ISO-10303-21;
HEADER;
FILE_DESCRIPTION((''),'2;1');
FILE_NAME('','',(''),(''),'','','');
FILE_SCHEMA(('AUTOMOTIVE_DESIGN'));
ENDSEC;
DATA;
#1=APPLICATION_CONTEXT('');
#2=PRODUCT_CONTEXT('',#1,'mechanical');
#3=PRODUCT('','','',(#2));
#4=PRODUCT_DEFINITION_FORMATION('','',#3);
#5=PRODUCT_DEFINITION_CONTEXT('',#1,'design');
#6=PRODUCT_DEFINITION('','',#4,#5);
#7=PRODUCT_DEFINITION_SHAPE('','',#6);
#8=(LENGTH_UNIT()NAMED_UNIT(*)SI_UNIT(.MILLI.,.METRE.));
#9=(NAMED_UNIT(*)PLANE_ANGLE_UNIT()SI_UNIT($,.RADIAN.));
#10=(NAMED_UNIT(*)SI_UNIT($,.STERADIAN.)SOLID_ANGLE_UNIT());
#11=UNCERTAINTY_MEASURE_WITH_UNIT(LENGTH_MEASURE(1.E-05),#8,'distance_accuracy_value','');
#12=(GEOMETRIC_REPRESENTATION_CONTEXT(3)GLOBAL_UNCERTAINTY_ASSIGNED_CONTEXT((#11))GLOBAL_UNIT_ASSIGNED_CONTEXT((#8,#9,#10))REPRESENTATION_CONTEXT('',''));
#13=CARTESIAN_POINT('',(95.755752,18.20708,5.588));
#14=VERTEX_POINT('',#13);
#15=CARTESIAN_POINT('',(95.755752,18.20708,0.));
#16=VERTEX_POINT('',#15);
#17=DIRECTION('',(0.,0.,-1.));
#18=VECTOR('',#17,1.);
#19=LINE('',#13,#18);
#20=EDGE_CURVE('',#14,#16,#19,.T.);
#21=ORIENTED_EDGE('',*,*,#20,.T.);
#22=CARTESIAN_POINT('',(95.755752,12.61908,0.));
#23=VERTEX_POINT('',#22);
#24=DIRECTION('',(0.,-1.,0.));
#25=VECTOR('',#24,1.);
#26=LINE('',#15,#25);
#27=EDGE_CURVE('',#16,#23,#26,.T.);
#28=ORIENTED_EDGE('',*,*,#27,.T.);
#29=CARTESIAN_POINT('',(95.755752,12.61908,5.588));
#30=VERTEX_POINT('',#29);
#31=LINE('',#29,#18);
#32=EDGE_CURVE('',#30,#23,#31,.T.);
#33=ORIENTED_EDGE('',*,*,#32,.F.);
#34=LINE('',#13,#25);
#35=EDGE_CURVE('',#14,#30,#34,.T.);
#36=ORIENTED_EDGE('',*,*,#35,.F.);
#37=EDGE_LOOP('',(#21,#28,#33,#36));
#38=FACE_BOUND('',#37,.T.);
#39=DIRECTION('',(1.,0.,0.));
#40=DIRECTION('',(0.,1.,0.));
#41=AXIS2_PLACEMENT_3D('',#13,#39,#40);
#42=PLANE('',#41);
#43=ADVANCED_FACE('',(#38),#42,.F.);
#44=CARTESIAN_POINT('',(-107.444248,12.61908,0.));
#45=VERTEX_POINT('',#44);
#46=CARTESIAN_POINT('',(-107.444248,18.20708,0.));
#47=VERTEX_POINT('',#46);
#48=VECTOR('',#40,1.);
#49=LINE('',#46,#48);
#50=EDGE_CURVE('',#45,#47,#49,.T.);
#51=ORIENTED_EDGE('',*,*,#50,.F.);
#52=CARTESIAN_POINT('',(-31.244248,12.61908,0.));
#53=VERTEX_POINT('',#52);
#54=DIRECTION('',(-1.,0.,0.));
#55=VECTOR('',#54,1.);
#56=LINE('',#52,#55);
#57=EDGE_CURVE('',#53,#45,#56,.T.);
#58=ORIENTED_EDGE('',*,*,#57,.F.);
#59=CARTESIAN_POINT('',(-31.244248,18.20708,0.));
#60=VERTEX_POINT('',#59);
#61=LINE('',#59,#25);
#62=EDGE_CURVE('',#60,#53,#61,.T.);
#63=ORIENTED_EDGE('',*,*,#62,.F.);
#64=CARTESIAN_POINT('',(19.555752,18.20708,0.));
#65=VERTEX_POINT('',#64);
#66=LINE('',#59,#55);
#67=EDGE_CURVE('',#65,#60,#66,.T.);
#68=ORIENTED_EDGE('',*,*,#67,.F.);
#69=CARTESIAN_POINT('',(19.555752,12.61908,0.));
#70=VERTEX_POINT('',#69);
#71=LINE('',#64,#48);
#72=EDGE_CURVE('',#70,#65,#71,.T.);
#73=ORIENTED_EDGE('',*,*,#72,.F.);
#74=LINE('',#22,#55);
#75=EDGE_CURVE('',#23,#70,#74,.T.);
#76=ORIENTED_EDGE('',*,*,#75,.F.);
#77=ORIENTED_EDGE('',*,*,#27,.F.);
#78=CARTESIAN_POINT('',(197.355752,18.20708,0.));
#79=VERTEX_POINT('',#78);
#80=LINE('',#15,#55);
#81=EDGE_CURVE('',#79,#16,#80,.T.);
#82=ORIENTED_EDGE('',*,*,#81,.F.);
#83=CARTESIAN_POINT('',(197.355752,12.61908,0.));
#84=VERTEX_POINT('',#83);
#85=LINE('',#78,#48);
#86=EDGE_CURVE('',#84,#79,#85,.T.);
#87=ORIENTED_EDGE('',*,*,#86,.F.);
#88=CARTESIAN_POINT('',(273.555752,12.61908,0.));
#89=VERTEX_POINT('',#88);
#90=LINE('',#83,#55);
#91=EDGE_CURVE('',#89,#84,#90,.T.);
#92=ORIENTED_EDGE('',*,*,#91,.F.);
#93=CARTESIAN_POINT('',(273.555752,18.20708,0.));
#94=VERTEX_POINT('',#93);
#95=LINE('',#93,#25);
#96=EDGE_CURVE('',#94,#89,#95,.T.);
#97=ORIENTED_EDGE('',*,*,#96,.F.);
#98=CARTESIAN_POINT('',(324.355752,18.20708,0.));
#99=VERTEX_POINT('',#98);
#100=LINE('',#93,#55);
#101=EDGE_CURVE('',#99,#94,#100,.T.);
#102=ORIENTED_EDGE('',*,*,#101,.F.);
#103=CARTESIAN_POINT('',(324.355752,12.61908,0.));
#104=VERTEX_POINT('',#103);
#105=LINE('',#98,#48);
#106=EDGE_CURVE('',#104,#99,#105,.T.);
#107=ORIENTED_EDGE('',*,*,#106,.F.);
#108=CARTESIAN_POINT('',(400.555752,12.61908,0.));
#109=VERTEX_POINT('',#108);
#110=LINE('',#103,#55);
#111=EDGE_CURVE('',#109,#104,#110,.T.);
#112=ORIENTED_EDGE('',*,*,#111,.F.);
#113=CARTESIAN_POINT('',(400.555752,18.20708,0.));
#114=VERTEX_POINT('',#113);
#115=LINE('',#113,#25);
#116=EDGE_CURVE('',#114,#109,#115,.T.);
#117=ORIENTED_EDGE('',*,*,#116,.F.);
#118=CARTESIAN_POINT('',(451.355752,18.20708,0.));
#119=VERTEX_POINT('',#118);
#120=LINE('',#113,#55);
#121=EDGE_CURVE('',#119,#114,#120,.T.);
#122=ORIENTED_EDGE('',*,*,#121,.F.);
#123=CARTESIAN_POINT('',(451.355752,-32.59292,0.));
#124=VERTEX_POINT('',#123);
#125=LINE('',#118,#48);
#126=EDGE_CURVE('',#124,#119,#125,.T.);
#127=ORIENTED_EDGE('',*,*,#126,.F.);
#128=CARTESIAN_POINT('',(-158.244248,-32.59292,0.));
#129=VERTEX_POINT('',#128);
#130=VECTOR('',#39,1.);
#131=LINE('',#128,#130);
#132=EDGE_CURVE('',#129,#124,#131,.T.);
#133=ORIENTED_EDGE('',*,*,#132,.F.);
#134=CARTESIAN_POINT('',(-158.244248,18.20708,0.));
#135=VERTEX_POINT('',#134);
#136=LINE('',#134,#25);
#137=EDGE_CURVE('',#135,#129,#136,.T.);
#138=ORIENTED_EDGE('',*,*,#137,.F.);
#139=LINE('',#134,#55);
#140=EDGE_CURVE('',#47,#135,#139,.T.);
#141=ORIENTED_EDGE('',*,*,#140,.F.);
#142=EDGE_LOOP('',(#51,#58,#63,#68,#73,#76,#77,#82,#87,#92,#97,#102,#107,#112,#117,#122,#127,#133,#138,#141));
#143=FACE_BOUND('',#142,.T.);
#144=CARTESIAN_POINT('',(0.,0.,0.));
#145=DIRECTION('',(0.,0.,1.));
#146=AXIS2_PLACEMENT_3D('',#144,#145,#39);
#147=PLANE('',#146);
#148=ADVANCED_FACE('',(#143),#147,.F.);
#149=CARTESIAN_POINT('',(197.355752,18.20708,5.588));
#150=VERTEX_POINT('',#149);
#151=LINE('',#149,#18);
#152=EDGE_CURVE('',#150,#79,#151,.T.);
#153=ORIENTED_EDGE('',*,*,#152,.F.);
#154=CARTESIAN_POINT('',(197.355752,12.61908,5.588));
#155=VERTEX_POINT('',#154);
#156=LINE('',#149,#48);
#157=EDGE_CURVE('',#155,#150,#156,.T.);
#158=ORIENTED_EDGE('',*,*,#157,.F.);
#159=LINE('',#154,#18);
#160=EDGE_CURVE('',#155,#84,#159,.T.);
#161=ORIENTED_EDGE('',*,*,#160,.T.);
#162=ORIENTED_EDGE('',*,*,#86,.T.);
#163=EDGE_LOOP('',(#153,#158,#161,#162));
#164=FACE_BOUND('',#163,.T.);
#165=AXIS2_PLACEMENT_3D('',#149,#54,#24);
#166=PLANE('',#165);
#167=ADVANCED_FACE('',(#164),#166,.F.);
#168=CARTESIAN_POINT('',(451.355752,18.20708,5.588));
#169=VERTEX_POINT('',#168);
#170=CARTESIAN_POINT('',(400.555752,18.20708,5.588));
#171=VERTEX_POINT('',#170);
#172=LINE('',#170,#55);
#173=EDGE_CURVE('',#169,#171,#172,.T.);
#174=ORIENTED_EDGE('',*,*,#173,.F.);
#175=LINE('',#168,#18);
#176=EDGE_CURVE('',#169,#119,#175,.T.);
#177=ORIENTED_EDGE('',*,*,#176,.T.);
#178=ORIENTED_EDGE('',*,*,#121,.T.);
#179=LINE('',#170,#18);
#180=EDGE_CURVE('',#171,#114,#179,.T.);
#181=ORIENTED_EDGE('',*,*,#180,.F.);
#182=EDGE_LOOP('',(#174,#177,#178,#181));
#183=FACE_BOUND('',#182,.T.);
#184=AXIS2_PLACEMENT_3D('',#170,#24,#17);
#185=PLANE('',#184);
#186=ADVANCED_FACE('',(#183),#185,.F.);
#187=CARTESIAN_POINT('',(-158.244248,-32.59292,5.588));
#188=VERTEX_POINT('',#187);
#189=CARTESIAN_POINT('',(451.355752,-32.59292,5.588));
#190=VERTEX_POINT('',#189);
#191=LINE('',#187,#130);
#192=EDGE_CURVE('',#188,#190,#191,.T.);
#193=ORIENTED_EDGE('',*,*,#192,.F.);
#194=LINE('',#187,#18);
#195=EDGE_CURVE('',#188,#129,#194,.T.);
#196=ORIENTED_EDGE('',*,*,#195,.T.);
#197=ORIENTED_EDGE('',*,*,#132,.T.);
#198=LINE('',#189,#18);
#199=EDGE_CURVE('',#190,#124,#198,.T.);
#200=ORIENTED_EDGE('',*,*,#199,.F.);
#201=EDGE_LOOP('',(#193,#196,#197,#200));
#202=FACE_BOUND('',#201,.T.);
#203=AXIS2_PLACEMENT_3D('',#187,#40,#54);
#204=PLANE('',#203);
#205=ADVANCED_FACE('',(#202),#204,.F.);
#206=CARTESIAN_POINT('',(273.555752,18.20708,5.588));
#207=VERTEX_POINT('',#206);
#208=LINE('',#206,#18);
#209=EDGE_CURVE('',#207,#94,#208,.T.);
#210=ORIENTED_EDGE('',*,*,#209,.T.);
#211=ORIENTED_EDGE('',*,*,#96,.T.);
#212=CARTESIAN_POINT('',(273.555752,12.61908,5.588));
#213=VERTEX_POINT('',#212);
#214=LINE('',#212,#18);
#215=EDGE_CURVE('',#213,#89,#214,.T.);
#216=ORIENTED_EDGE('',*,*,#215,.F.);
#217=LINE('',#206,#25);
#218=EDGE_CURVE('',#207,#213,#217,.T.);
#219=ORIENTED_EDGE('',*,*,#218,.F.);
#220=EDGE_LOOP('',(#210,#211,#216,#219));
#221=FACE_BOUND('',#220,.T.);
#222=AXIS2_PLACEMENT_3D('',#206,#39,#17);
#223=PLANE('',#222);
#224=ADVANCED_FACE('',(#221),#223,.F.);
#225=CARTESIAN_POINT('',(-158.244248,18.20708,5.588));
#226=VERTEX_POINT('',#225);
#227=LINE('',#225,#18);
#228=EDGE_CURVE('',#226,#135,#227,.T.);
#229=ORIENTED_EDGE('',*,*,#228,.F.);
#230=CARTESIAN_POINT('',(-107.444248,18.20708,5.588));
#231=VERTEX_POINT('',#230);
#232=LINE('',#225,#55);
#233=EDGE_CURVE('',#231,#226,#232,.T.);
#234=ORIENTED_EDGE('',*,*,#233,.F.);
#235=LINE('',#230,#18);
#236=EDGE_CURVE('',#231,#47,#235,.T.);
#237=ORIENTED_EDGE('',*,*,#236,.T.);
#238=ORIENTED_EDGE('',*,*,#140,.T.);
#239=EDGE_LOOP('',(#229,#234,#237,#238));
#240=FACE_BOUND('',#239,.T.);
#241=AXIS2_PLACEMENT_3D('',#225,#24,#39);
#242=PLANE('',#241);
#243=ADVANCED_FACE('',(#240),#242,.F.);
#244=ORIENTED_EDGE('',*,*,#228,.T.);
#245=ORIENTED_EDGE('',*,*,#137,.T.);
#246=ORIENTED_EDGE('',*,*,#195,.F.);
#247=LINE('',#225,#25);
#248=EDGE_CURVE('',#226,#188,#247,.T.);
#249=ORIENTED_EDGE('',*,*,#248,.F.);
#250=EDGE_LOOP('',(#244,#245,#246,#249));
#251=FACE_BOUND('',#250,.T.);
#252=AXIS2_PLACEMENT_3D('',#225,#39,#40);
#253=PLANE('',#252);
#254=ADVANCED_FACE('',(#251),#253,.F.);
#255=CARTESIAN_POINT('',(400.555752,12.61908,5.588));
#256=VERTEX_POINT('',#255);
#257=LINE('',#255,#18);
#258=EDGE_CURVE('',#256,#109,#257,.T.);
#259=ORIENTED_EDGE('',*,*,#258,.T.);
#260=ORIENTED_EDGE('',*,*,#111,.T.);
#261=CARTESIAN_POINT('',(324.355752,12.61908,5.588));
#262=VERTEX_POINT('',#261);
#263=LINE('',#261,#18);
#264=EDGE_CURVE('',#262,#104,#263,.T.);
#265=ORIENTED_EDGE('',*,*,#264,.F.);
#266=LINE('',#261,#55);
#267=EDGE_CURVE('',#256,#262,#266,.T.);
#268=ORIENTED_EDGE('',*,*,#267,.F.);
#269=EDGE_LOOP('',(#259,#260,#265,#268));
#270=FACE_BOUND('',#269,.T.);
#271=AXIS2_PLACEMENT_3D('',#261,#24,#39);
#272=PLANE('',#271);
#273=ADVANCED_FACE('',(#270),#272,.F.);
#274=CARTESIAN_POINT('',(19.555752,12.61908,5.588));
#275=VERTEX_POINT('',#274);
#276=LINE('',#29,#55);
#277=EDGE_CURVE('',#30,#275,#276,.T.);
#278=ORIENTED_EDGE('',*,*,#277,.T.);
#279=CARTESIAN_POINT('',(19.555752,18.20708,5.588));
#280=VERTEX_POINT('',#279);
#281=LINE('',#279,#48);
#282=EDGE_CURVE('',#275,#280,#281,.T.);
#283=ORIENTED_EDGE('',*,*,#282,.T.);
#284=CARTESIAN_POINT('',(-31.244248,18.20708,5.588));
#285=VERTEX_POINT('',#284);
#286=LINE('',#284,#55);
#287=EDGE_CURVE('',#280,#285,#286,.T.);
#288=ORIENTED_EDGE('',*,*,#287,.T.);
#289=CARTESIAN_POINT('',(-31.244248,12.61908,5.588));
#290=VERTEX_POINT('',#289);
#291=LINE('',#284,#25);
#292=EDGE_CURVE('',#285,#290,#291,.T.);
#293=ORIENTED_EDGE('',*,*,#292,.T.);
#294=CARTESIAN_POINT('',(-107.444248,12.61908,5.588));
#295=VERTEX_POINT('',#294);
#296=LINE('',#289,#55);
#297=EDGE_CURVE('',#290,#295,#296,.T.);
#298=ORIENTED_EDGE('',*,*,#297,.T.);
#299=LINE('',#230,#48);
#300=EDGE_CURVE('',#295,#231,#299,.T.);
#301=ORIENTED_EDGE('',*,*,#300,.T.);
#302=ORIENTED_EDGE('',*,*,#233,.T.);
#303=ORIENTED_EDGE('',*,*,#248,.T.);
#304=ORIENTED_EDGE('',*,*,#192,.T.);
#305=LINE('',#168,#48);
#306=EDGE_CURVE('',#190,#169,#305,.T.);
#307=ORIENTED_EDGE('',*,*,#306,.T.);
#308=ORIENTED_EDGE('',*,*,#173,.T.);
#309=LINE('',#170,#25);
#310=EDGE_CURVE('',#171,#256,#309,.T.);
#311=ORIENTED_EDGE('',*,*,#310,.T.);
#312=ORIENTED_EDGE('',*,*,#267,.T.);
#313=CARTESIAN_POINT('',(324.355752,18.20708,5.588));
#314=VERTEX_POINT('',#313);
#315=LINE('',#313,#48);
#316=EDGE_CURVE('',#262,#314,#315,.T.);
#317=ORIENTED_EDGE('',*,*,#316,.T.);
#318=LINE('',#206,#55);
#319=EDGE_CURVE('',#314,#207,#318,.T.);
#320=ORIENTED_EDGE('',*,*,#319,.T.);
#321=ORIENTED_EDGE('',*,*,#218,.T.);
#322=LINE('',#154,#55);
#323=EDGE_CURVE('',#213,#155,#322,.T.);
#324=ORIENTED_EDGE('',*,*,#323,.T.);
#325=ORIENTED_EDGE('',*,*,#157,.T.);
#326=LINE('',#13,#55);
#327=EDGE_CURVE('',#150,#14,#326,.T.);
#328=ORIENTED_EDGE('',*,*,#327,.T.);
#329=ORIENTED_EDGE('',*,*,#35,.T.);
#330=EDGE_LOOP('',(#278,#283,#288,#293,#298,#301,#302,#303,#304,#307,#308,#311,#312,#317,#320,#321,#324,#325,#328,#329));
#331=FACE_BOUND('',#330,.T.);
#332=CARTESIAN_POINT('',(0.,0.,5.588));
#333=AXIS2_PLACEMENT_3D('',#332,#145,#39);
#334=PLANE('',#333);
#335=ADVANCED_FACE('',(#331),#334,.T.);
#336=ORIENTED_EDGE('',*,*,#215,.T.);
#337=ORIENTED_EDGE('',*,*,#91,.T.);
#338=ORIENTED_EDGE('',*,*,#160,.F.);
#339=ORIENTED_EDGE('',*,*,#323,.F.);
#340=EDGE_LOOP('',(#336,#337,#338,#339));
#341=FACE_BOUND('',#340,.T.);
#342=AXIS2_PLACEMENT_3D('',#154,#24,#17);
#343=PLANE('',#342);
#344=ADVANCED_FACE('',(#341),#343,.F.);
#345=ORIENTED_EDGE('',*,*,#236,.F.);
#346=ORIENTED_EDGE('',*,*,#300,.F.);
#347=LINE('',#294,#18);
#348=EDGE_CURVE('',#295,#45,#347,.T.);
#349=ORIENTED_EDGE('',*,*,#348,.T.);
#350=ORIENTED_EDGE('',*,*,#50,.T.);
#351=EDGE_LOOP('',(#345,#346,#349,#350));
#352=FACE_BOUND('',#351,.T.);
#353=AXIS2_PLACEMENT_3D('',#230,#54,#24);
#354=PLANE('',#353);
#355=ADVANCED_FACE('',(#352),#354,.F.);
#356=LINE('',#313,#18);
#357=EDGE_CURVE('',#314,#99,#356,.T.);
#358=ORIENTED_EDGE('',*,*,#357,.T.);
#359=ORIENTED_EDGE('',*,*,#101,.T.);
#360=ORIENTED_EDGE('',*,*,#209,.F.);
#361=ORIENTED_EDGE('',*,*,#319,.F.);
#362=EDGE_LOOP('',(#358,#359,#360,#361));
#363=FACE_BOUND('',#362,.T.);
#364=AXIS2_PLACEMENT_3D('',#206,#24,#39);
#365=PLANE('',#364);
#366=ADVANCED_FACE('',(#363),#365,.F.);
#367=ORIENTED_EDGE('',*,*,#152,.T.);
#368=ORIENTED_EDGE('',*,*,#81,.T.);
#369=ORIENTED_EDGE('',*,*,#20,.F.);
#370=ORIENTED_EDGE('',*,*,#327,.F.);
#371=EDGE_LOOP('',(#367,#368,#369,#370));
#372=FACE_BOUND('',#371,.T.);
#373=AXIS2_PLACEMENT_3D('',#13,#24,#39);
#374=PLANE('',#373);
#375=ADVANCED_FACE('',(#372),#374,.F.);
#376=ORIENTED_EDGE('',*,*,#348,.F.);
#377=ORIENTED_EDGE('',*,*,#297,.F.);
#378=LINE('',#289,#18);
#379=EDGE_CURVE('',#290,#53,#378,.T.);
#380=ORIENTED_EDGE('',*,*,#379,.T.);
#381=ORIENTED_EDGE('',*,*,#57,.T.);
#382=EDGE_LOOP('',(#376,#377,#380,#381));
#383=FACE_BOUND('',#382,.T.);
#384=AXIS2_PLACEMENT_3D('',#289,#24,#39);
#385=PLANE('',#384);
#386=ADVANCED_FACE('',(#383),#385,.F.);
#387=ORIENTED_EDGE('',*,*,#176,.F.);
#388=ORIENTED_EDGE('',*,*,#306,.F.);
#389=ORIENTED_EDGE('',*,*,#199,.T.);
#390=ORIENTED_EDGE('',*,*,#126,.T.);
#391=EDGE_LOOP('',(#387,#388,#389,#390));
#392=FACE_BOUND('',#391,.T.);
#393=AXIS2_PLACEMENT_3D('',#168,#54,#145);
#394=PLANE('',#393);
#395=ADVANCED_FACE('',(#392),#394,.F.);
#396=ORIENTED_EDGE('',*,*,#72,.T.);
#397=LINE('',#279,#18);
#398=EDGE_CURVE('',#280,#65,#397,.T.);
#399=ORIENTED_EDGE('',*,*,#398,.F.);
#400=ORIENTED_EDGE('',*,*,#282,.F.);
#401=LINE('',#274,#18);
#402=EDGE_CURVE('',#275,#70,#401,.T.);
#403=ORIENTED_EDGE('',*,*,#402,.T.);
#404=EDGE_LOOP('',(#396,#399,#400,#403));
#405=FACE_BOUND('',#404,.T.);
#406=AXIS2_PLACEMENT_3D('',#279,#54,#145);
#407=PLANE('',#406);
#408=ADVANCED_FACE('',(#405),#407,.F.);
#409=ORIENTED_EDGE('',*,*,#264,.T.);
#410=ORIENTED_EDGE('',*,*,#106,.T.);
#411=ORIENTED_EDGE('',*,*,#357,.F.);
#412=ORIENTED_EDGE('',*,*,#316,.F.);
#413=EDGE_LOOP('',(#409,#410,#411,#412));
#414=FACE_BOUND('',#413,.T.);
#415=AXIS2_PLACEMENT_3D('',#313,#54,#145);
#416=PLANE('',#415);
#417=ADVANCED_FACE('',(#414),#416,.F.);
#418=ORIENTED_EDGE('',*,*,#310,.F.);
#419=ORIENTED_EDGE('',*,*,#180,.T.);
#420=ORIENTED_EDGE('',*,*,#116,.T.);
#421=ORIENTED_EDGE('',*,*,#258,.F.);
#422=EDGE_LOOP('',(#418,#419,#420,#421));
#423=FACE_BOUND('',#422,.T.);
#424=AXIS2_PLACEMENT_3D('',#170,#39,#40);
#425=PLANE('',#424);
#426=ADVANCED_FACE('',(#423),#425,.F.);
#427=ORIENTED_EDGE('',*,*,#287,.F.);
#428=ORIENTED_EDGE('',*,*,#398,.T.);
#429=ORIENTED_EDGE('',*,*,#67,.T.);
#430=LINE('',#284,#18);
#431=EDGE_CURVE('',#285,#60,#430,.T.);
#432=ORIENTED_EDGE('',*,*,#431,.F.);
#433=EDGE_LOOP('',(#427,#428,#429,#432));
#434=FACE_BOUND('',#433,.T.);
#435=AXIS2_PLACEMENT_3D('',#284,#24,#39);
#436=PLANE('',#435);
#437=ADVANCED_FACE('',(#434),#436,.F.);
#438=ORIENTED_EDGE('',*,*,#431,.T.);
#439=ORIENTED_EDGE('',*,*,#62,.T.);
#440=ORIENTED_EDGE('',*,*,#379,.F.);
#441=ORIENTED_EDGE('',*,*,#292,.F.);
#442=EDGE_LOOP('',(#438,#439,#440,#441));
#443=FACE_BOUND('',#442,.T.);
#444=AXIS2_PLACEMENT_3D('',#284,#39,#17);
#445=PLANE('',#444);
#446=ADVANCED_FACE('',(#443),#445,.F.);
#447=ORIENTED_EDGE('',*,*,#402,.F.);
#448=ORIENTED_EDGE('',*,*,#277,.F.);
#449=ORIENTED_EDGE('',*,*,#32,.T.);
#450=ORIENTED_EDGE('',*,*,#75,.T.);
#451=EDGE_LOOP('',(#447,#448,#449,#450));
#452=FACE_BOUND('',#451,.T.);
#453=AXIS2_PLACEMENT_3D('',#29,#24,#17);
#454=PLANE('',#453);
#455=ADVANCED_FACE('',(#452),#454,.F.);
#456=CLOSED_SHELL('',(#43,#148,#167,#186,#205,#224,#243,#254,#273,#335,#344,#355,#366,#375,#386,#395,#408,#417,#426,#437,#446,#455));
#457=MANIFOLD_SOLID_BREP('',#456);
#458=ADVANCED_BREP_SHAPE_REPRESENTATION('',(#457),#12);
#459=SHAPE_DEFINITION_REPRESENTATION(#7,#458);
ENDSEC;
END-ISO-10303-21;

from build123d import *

# Parameters (mm, degrees)
BOSS_EXTRUDE2_DEPTH = 5.588


with BuildPart() as part:
    # Sketch1 → Boss-Extrude2 (new body)
    with BuildSketch(Plane.XY):
        Polygon((-158.244247788, 18.207079646), (-107.444247788, 18.207079646), (-107.444247788, 12.619079646), (-31.244247788, 12.619079646), (-31.244247788, 18.207079646), (19.555752212, 18.207079646), (19.555752212, 12.619079646), (95.755752212, 12.619079646), (95.755752212, 18.207079646), (197.355752212, 18.207079646), (197.355752212, 12.619079646), (273.555752212, 12.619079646), (273.555752212, 18.207079646), (324.355752212, 18.207079646), (324.355752212, 12.619079646), (400.555752212, 12.619079646), (400.555752212, 18.207079646), (451.355752212, 18.207079646), (451.355752212, -32.592920354), (-158.244247788, -32.592920354), align=None)
    extrude(amount=BOSS_EXTRUDE2_DEPTH)


solid = part.part
